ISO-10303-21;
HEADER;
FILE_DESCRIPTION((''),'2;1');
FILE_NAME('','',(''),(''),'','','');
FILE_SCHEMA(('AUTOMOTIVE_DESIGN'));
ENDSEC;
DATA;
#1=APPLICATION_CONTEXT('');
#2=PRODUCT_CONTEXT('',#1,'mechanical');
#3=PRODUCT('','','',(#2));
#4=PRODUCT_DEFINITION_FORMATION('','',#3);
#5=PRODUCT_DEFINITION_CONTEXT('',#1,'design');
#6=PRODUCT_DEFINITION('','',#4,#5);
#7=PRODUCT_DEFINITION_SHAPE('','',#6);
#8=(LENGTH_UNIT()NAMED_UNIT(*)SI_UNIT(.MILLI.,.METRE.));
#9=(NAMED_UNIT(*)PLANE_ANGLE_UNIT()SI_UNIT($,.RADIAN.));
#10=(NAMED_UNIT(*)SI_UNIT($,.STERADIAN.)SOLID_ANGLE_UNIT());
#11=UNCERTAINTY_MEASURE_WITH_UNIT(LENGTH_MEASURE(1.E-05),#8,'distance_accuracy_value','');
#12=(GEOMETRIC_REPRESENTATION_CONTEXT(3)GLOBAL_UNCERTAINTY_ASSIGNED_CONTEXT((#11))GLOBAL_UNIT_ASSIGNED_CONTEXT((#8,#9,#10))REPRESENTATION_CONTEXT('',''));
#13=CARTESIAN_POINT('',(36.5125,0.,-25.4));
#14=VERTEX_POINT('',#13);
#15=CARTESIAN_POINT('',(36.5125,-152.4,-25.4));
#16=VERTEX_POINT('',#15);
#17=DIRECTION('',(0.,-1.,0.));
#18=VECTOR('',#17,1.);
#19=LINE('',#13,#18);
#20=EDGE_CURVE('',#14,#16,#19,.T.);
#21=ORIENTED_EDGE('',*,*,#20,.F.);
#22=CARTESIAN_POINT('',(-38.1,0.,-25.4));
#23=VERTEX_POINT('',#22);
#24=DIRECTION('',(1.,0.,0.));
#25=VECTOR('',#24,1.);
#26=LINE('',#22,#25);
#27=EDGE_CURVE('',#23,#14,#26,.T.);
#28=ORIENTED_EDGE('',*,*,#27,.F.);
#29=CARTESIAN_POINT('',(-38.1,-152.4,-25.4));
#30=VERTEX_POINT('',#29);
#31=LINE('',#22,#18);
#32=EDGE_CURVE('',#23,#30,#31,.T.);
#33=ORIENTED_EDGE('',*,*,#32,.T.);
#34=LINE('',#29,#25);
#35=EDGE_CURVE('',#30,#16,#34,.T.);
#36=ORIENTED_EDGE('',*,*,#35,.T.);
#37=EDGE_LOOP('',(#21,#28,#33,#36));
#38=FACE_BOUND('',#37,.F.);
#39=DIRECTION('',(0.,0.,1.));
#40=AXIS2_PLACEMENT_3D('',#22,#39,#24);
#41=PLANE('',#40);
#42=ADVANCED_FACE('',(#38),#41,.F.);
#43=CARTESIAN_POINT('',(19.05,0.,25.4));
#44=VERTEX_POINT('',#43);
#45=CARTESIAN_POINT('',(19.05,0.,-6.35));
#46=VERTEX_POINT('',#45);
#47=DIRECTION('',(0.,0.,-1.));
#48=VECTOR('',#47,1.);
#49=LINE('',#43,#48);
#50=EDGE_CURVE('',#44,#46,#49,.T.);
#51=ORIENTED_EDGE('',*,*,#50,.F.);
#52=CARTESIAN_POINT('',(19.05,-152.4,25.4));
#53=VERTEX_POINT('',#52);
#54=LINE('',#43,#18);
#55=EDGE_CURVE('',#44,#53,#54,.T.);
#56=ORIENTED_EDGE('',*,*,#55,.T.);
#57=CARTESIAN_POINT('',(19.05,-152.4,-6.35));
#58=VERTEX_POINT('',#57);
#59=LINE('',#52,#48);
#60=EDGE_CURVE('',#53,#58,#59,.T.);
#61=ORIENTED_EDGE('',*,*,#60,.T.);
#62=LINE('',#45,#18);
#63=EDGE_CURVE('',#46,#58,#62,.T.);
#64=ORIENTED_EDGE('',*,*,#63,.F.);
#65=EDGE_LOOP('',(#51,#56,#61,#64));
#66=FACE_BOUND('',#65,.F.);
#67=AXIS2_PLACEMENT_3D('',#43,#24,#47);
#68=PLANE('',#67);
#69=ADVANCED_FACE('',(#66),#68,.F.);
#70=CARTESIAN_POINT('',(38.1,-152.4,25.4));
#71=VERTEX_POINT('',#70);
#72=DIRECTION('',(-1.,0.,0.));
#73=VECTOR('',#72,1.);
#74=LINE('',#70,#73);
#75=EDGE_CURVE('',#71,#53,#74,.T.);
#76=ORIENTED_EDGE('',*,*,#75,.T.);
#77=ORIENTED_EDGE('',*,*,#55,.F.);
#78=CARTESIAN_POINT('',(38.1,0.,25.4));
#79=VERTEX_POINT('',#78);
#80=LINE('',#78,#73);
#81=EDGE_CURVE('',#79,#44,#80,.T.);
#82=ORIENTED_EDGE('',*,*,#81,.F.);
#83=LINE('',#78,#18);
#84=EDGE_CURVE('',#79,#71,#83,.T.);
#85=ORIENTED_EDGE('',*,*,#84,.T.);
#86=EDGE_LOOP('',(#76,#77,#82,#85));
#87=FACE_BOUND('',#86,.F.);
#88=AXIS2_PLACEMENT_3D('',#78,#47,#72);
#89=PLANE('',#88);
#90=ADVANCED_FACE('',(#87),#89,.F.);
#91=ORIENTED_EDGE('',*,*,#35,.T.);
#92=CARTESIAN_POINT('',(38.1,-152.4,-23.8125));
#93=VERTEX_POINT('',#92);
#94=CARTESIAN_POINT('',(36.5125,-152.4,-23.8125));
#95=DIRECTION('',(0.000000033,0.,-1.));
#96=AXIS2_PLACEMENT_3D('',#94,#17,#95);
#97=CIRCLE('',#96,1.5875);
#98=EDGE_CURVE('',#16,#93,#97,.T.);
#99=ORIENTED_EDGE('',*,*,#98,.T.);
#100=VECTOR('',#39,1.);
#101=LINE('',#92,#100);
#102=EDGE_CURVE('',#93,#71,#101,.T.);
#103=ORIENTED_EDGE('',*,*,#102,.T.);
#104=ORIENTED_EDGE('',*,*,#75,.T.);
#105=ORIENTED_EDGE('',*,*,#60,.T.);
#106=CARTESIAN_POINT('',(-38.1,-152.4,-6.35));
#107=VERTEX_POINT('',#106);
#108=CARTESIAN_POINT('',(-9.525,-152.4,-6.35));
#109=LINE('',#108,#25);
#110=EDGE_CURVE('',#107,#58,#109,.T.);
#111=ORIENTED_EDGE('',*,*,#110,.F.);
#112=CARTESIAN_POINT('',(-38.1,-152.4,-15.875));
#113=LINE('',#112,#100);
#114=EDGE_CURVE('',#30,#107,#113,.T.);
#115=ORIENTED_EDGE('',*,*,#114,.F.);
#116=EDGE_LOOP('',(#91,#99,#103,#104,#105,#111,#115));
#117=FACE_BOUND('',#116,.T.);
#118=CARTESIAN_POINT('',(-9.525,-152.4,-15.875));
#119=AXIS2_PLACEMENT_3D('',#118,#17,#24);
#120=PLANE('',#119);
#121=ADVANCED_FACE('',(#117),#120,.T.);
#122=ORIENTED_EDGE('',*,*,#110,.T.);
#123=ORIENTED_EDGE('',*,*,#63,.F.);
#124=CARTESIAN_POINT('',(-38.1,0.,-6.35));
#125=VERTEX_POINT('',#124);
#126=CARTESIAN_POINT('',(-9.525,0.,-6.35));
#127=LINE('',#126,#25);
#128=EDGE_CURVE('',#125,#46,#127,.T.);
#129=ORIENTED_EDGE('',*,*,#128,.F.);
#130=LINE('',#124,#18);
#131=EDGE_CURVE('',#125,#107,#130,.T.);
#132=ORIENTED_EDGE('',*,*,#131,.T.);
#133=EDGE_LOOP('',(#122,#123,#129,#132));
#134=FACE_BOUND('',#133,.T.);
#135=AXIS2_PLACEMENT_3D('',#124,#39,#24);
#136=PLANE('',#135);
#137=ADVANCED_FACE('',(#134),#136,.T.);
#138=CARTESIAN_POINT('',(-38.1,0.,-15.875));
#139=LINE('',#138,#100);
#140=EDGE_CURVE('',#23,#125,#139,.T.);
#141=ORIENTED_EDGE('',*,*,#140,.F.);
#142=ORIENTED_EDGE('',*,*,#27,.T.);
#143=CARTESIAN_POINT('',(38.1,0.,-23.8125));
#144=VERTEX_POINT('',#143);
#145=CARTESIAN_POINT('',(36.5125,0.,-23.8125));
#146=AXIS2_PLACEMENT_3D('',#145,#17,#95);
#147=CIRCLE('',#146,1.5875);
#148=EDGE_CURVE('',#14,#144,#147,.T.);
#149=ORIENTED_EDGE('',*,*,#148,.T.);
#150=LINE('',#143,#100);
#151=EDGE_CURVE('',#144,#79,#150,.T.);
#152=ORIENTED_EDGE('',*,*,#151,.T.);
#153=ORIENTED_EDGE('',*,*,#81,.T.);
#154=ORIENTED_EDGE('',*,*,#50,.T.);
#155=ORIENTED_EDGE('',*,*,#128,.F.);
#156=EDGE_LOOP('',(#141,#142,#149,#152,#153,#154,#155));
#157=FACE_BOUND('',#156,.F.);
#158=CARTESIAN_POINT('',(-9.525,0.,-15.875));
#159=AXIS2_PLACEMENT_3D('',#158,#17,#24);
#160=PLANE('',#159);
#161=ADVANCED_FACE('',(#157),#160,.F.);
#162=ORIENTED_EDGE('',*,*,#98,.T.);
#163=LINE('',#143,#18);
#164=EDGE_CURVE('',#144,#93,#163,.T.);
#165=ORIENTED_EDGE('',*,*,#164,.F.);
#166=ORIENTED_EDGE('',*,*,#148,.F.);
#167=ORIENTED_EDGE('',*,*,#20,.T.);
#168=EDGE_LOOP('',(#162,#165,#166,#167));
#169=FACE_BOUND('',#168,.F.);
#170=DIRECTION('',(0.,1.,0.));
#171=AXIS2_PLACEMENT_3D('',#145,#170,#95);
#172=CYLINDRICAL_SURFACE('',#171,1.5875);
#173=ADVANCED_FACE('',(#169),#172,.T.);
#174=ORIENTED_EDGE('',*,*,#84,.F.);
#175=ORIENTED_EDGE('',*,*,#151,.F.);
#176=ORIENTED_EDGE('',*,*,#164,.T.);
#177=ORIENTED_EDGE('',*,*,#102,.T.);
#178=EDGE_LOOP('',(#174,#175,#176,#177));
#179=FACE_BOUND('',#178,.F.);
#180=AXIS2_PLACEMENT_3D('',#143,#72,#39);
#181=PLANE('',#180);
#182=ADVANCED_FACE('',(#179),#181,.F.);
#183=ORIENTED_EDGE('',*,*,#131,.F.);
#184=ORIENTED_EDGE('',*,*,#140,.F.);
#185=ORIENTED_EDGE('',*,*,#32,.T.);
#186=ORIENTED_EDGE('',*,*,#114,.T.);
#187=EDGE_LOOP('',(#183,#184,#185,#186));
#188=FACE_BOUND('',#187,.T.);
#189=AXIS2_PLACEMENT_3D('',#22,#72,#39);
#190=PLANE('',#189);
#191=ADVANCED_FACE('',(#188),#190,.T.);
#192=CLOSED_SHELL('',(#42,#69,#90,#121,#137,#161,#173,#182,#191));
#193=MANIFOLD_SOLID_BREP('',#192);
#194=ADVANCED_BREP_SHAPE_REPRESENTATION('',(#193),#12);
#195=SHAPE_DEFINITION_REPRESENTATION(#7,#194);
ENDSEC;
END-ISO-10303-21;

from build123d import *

# Parameters (mm, degrees)
F0_W     = 57.15
F0_H     = 19.05
F1_DEPTH = 152.4


with BuildPart() as f1:
    # F0 (on Front) → F1 (new body)
    with BuildSketch(Plane.XZ):
        with Locations((-9.525, -15.875)):
            Rectangle(F0_W, F0_H)
        with BuildLine():
            ThreePointArc((36.5125, -25.4), (37.635032, -24.935032), (38.1, -23.8125))
            Line((38.1, -23.8125), (38.1, 25.4))
            Line((38.1, 25.4), (19.05, 25.4))
            Line((19.05, 25.4), (19.05, -6.35))
            Line((19.05, -6.35), (19.05, -25.4))
            Line((19.05, -25.4), (36.5125, -25.4))
        make_face()
    extrude(amount=F1_DEPTH)


solid = f1.part
